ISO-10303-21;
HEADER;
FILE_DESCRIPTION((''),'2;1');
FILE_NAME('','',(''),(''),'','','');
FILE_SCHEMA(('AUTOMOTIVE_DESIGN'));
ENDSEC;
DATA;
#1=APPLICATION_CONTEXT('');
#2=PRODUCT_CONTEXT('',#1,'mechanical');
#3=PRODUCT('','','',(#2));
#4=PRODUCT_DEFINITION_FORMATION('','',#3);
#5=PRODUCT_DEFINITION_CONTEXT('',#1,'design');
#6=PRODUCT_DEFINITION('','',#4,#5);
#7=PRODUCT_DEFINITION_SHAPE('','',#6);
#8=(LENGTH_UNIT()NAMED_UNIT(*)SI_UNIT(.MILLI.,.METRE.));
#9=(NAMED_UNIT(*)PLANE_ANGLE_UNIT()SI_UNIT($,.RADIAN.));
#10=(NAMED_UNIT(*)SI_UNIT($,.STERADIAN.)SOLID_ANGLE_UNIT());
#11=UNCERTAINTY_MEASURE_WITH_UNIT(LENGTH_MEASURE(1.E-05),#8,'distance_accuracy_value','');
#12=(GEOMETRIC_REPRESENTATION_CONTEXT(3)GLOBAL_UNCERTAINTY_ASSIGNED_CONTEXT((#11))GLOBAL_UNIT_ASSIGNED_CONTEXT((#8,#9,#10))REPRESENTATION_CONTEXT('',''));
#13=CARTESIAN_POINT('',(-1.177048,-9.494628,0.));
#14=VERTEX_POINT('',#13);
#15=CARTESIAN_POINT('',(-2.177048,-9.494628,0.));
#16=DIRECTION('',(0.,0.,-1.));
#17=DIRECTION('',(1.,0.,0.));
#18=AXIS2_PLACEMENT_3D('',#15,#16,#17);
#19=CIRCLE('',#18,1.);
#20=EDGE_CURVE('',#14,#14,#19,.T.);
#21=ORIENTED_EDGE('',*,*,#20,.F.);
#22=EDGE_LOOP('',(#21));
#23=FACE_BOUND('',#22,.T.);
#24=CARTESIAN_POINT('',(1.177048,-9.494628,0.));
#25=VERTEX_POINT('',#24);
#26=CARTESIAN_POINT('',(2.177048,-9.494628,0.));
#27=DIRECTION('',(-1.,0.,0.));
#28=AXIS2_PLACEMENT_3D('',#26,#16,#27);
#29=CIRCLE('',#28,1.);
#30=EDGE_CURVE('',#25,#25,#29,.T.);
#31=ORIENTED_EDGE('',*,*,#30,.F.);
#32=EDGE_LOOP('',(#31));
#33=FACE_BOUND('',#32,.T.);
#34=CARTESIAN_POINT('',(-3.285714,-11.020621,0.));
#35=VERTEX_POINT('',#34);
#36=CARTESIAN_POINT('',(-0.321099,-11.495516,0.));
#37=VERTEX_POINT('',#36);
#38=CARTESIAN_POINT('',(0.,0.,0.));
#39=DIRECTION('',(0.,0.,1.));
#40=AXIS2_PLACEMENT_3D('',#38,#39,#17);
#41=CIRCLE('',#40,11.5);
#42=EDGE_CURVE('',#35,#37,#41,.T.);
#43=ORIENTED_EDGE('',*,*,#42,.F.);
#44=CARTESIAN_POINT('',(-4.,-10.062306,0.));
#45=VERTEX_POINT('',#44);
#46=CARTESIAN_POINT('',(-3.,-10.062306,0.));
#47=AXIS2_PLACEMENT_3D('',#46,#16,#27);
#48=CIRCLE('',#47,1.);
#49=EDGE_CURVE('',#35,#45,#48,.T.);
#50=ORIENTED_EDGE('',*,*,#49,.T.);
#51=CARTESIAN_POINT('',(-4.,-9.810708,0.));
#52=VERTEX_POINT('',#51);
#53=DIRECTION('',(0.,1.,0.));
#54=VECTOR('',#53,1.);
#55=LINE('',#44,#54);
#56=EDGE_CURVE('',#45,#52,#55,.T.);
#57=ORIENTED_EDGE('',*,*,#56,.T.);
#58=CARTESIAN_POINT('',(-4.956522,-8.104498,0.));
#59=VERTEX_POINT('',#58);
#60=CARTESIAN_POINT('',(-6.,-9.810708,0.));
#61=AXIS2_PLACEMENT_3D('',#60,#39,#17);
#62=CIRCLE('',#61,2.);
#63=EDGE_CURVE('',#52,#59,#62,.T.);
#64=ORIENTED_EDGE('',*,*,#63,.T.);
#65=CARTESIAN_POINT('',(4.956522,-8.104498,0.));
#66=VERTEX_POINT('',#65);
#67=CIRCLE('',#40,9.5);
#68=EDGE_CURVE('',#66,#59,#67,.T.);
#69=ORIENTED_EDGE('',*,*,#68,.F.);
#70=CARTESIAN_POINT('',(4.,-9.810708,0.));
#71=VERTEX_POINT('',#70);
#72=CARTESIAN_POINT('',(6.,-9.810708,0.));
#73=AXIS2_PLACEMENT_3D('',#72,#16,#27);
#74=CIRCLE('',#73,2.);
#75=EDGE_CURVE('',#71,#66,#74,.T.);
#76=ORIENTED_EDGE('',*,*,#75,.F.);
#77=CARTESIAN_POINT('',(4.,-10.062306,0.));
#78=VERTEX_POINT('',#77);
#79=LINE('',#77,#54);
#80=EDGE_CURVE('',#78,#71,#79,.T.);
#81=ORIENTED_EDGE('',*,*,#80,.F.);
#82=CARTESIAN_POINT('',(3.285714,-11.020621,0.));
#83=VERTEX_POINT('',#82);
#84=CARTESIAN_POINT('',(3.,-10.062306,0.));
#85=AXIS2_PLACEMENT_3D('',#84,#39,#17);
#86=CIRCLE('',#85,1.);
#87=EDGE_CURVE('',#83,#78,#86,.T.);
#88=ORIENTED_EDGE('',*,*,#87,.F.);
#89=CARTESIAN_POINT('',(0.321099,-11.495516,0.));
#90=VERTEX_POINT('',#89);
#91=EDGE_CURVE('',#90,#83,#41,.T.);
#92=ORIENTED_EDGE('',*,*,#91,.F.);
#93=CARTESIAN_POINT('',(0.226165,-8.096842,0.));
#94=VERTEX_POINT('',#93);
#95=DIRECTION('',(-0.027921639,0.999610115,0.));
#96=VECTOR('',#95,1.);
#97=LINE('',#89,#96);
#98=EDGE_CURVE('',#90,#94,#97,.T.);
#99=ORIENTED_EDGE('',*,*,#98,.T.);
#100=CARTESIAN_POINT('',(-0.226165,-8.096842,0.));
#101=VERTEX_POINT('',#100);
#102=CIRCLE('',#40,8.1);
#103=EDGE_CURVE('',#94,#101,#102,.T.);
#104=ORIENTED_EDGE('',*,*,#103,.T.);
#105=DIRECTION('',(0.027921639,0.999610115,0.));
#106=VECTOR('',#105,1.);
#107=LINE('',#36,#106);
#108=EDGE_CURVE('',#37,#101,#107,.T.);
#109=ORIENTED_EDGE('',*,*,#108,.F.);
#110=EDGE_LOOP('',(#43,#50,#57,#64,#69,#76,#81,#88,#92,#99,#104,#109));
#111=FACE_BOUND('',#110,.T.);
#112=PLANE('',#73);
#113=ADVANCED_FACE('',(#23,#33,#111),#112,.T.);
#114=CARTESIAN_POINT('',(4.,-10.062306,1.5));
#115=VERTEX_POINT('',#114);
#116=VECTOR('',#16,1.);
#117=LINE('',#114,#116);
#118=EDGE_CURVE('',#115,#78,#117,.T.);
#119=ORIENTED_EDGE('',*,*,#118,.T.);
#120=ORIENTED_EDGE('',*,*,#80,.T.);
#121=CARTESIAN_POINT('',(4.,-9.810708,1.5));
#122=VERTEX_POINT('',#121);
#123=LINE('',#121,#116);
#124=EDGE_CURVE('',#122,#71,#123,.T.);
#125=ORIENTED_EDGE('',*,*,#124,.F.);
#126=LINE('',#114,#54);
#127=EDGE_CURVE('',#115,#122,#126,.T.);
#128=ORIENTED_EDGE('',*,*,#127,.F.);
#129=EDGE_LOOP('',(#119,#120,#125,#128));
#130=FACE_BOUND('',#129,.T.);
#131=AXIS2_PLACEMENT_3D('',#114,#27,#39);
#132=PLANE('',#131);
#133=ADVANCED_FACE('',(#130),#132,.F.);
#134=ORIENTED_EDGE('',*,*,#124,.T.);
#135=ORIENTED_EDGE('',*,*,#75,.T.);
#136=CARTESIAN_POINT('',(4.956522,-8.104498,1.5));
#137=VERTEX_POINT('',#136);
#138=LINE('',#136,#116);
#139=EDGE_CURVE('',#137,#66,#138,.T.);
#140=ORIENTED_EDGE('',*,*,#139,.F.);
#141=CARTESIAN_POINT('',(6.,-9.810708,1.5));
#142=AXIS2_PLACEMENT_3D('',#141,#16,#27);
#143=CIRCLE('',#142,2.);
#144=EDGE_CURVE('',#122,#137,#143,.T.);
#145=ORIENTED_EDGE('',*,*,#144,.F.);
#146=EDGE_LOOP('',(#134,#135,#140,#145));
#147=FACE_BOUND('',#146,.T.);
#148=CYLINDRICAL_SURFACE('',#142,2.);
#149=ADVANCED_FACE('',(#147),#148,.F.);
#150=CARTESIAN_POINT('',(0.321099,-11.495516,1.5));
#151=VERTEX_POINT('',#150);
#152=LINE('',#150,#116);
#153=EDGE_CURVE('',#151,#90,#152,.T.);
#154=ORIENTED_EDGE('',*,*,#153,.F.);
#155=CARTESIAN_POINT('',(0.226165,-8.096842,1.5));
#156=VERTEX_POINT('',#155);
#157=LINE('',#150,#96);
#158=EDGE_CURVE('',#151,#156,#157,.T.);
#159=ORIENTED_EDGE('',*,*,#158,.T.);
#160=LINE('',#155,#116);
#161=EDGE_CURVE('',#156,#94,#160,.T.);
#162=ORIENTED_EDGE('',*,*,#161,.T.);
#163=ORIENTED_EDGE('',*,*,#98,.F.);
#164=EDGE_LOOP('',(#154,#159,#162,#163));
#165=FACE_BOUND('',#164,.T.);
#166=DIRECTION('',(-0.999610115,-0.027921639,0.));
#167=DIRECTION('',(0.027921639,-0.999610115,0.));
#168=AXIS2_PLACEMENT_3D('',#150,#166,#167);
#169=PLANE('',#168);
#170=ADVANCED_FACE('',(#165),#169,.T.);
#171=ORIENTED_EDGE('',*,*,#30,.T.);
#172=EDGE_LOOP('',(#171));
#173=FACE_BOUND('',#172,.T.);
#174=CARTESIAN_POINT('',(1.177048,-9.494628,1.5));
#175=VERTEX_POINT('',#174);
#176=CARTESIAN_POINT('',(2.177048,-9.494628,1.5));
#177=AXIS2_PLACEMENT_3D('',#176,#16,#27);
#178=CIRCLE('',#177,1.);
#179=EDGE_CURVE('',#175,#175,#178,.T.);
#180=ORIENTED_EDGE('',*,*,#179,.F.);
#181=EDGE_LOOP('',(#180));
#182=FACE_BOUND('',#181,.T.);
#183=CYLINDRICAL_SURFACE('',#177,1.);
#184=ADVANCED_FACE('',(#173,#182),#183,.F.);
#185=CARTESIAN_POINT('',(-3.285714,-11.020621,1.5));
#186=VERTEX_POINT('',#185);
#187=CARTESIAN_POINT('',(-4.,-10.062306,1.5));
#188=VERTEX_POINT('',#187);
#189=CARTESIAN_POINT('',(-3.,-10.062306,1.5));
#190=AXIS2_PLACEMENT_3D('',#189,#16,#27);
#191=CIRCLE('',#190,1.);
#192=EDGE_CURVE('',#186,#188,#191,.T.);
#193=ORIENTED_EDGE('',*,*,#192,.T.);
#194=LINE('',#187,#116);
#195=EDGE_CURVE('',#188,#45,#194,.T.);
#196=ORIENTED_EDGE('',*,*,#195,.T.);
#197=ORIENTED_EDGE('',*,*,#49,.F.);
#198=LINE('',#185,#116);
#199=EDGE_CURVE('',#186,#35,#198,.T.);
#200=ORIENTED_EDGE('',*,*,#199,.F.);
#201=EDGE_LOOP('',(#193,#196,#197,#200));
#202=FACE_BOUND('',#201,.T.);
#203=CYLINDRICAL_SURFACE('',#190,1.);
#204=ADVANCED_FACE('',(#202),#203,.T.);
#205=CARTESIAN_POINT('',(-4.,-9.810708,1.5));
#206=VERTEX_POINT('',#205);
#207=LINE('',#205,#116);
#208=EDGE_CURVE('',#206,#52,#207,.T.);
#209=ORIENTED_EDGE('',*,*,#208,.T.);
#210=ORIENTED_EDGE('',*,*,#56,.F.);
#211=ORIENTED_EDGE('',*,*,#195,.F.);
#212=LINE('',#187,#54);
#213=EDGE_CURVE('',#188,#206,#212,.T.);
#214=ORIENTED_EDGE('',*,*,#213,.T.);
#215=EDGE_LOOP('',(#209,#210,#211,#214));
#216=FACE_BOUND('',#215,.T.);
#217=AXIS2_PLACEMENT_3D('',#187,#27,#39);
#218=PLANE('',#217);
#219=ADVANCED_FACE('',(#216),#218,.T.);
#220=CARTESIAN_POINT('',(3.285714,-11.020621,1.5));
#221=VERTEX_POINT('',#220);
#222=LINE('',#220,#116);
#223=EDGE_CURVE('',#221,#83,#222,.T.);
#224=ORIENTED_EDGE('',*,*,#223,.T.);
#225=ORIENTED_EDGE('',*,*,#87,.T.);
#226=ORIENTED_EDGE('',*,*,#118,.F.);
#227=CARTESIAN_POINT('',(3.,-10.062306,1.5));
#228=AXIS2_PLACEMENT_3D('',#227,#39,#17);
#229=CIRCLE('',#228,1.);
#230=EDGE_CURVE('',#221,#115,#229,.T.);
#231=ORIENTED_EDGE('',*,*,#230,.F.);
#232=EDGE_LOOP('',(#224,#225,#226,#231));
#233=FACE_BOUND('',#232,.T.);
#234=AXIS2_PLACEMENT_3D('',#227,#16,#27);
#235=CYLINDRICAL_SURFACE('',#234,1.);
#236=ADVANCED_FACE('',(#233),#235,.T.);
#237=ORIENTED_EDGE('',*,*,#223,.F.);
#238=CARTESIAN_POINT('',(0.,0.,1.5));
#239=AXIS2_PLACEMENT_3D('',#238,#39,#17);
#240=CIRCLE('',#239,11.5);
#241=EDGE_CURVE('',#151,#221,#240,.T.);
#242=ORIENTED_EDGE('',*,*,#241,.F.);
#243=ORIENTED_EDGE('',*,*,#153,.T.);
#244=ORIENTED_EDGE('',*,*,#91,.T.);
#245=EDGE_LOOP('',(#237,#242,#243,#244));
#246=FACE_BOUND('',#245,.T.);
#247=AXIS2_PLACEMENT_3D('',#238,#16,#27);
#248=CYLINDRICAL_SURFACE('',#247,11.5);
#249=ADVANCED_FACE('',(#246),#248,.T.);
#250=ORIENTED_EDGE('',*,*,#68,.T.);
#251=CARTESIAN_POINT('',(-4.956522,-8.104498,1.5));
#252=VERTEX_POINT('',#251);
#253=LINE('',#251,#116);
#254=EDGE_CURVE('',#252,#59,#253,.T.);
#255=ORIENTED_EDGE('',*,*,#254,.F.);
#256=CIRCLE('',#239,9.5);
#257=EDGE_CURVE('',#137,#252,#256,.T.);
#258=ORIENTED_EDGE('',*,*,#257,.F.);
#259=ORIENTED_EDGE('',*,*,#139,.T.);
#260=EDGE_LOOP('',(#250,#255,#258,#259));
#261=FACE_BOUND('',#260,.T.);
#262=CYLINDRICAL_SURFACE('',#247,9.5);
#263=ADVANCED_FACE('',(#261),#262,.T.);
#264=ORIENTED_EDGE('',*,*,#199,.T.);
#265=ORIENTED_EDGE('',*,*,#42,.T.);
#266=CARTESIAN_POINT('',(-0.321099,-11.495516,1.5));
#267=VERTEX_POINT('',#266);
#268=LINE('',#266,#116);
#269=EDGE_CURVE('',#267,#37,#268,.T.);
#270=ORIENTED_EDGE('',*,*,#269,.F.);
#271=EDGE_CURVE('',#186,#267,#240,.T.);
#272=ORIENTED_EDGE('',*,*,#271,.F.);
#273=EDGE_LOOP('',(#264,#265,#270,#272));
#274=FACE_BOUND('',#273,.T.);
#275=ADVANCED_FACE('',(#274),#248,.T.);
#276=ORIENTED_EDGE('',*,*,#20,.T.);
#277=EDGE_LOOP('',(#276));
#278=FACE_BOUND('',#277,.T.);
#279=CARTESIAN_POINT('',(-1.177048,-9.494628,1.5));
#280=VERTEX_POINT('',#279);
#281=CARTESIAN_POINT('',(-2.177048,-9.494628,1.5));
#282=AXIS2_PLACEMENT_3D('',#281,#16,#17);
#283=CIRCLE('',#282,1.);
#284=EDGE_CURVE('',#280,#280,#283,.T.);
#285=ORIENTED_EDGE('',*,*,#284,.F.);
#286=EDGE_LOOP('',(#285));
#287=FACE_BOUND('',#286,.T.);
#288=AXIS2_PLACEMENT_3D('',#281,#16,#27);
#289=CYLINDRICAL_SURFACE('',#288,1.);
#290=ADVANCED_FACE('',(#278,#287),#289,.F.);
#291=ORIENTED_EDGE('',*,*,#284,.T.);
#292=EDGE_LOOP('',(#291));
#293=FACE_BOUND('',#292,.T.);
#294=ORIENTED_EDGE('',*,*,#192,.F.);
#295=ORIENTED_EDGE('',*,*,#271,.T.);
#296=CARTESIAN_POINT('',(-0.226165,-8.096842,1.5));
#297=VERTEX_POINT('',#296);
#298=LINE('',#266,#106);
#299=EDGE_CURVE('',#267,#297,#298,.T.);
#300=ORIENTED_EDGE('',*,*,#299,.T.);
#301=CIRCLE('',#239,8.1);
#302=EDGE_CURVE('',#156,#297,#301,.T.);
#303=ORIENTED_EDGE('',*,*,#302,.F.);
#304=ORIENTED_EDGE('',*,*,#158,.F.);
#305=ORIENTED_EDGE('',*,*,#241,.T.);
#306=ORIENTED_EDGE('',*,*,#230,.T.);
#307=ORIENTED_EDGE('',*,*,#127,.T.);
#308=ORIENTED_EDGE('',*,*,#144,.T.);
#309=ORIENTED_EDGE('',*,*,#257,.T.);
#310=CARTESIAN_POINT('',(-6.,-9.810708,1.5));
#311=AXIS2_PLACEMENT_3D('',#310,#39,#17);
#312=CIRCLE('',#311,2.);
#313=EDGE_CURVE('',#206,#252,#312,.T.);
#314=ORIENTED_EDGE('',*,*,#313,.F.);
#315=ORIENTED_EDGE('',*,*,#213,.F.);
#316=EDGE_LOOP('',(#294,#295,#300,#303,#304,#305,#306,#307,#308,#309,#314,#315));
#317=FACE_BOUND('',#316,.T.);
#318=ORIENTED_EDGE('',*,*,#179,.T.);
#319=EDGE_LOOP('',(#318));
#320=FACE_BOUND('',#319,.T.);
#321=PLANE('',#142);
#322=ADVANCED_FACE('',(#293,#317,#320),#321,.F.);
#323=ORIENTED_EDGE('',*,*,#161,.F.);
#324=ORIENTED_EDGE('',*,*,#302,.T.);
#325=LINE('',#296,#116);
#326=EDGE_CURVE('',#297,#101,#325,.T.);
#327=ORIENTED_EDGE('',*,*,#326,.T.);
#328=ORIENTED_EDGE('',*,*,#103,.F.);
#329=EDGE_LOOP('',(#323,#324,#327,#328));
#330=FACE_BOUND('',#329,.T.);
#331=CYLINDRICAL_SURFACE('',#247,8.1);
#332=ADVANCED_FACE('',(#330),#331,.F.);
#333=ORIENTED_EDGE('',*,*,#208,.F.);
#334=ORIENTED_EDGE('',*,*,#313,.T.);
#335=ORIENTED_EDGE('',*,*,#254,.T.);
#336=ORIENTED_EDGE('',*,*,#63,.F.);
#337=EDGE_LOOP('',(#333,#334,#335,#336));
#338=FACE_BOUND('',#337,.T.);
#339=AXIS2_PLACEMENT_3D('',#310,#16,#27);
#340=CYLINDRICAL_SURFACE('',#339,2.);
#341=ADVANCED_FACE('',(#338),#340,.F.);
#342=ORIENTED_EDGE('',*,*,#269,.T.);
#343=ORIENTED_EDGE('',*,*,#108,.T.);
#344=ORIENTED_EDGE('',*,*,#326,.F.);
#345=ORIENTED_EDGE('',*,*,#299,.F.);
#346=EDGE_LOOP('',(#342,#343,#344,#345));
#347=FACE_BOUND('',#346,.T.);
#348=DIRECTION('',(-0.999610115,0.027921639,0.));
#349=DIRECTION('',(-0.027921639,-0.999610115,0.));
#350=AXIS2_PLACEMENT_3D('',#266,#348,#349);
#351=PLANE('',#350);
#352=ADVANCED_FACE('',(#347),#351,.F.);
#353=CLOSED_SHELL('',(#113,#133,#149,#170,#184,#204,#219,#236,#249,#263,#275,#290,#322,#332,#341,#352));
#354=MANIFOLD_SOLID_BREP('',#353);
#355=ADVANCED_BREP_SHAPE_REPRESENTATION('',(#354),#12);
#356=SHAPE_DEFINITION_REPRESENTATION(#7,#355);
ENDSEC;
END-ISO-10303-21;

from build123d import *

# Parameters (mm, degrees)
EXTRUDE_1_DEPTH     = 1.5
SKETCH_2_R          = 1
CUT_EXTRUDE_1_DEPTH = 1.5


with BuildPart() as part:
    # Эскиз1 → Бобышка-Вытянуть1 (new body)
    with BuildSketch(Plane.XY):
        with BuildLine():
            Line((-0.321098845, -11.495516323), (-0.226165274, -8.096841932))
            ThreePointArc((-0.226165274, -8.096841932), (0, 8.1), (0.226165274, -8.096841932))
            Line((0.226165274, -8.096841932), (0.321098845, -11.495516323))
            ThreePointArc((0.321098845, -11.495516323), (1.818971328, -11.355234181), (3.285714286, -11.020620746))
            ThreePointArc((3.285714286, -11.020620746), (3.801783726, -10.659920203), (4, -10.062305899))
            Line((4, -10.062305899), (4, -9.810708435))
            ThreePointArc((4, -9.810708435), (4.255443248, -8.832689141), (4.956521739, -8.104498273))
            ThreePointArc((4.956521739, -8.104498273), (0, 9.5), (-4.956521739, -8.104498273))
            ThreePointArc((-4.956521739, -8.104498273), (-4.255443248, -8.832689141), (-4, -9.810708435))
            Line((-4, -9.810708435), (-4, -10.062305899))
            ThreePointArc((-4, -10.062305899), (-3.801783726, -10.659920203), (-3.285714286, -11.020620746))
            ThreePointArc((-3.285714286, -11.020620746), (-1.818971328, -11.355234181), (-0.321098845, -11.495516323))
        make_face()
    extrude(amount=EXTRUDE_1_DEPTH)

    # Эскиз2 → Вырез-Вытянуть1 (cut)
    with BuildSketch(Plane(origin=(0, 0, 0), x_dir=(-1, 0, 0), z_dir=(0, 0, -1))):
        with Locations((-2.177047903, -9.494628436)):
            Circle(SKETCH_2_R)
        with Locations((2.177047903, -9.494628436)):
            Circle(SKETCH_2_R)
    extrude(amount=-CUT_EXTRUDE_1_DEPTH, mode=Mode.SUBTRACT)


solid = part.part
